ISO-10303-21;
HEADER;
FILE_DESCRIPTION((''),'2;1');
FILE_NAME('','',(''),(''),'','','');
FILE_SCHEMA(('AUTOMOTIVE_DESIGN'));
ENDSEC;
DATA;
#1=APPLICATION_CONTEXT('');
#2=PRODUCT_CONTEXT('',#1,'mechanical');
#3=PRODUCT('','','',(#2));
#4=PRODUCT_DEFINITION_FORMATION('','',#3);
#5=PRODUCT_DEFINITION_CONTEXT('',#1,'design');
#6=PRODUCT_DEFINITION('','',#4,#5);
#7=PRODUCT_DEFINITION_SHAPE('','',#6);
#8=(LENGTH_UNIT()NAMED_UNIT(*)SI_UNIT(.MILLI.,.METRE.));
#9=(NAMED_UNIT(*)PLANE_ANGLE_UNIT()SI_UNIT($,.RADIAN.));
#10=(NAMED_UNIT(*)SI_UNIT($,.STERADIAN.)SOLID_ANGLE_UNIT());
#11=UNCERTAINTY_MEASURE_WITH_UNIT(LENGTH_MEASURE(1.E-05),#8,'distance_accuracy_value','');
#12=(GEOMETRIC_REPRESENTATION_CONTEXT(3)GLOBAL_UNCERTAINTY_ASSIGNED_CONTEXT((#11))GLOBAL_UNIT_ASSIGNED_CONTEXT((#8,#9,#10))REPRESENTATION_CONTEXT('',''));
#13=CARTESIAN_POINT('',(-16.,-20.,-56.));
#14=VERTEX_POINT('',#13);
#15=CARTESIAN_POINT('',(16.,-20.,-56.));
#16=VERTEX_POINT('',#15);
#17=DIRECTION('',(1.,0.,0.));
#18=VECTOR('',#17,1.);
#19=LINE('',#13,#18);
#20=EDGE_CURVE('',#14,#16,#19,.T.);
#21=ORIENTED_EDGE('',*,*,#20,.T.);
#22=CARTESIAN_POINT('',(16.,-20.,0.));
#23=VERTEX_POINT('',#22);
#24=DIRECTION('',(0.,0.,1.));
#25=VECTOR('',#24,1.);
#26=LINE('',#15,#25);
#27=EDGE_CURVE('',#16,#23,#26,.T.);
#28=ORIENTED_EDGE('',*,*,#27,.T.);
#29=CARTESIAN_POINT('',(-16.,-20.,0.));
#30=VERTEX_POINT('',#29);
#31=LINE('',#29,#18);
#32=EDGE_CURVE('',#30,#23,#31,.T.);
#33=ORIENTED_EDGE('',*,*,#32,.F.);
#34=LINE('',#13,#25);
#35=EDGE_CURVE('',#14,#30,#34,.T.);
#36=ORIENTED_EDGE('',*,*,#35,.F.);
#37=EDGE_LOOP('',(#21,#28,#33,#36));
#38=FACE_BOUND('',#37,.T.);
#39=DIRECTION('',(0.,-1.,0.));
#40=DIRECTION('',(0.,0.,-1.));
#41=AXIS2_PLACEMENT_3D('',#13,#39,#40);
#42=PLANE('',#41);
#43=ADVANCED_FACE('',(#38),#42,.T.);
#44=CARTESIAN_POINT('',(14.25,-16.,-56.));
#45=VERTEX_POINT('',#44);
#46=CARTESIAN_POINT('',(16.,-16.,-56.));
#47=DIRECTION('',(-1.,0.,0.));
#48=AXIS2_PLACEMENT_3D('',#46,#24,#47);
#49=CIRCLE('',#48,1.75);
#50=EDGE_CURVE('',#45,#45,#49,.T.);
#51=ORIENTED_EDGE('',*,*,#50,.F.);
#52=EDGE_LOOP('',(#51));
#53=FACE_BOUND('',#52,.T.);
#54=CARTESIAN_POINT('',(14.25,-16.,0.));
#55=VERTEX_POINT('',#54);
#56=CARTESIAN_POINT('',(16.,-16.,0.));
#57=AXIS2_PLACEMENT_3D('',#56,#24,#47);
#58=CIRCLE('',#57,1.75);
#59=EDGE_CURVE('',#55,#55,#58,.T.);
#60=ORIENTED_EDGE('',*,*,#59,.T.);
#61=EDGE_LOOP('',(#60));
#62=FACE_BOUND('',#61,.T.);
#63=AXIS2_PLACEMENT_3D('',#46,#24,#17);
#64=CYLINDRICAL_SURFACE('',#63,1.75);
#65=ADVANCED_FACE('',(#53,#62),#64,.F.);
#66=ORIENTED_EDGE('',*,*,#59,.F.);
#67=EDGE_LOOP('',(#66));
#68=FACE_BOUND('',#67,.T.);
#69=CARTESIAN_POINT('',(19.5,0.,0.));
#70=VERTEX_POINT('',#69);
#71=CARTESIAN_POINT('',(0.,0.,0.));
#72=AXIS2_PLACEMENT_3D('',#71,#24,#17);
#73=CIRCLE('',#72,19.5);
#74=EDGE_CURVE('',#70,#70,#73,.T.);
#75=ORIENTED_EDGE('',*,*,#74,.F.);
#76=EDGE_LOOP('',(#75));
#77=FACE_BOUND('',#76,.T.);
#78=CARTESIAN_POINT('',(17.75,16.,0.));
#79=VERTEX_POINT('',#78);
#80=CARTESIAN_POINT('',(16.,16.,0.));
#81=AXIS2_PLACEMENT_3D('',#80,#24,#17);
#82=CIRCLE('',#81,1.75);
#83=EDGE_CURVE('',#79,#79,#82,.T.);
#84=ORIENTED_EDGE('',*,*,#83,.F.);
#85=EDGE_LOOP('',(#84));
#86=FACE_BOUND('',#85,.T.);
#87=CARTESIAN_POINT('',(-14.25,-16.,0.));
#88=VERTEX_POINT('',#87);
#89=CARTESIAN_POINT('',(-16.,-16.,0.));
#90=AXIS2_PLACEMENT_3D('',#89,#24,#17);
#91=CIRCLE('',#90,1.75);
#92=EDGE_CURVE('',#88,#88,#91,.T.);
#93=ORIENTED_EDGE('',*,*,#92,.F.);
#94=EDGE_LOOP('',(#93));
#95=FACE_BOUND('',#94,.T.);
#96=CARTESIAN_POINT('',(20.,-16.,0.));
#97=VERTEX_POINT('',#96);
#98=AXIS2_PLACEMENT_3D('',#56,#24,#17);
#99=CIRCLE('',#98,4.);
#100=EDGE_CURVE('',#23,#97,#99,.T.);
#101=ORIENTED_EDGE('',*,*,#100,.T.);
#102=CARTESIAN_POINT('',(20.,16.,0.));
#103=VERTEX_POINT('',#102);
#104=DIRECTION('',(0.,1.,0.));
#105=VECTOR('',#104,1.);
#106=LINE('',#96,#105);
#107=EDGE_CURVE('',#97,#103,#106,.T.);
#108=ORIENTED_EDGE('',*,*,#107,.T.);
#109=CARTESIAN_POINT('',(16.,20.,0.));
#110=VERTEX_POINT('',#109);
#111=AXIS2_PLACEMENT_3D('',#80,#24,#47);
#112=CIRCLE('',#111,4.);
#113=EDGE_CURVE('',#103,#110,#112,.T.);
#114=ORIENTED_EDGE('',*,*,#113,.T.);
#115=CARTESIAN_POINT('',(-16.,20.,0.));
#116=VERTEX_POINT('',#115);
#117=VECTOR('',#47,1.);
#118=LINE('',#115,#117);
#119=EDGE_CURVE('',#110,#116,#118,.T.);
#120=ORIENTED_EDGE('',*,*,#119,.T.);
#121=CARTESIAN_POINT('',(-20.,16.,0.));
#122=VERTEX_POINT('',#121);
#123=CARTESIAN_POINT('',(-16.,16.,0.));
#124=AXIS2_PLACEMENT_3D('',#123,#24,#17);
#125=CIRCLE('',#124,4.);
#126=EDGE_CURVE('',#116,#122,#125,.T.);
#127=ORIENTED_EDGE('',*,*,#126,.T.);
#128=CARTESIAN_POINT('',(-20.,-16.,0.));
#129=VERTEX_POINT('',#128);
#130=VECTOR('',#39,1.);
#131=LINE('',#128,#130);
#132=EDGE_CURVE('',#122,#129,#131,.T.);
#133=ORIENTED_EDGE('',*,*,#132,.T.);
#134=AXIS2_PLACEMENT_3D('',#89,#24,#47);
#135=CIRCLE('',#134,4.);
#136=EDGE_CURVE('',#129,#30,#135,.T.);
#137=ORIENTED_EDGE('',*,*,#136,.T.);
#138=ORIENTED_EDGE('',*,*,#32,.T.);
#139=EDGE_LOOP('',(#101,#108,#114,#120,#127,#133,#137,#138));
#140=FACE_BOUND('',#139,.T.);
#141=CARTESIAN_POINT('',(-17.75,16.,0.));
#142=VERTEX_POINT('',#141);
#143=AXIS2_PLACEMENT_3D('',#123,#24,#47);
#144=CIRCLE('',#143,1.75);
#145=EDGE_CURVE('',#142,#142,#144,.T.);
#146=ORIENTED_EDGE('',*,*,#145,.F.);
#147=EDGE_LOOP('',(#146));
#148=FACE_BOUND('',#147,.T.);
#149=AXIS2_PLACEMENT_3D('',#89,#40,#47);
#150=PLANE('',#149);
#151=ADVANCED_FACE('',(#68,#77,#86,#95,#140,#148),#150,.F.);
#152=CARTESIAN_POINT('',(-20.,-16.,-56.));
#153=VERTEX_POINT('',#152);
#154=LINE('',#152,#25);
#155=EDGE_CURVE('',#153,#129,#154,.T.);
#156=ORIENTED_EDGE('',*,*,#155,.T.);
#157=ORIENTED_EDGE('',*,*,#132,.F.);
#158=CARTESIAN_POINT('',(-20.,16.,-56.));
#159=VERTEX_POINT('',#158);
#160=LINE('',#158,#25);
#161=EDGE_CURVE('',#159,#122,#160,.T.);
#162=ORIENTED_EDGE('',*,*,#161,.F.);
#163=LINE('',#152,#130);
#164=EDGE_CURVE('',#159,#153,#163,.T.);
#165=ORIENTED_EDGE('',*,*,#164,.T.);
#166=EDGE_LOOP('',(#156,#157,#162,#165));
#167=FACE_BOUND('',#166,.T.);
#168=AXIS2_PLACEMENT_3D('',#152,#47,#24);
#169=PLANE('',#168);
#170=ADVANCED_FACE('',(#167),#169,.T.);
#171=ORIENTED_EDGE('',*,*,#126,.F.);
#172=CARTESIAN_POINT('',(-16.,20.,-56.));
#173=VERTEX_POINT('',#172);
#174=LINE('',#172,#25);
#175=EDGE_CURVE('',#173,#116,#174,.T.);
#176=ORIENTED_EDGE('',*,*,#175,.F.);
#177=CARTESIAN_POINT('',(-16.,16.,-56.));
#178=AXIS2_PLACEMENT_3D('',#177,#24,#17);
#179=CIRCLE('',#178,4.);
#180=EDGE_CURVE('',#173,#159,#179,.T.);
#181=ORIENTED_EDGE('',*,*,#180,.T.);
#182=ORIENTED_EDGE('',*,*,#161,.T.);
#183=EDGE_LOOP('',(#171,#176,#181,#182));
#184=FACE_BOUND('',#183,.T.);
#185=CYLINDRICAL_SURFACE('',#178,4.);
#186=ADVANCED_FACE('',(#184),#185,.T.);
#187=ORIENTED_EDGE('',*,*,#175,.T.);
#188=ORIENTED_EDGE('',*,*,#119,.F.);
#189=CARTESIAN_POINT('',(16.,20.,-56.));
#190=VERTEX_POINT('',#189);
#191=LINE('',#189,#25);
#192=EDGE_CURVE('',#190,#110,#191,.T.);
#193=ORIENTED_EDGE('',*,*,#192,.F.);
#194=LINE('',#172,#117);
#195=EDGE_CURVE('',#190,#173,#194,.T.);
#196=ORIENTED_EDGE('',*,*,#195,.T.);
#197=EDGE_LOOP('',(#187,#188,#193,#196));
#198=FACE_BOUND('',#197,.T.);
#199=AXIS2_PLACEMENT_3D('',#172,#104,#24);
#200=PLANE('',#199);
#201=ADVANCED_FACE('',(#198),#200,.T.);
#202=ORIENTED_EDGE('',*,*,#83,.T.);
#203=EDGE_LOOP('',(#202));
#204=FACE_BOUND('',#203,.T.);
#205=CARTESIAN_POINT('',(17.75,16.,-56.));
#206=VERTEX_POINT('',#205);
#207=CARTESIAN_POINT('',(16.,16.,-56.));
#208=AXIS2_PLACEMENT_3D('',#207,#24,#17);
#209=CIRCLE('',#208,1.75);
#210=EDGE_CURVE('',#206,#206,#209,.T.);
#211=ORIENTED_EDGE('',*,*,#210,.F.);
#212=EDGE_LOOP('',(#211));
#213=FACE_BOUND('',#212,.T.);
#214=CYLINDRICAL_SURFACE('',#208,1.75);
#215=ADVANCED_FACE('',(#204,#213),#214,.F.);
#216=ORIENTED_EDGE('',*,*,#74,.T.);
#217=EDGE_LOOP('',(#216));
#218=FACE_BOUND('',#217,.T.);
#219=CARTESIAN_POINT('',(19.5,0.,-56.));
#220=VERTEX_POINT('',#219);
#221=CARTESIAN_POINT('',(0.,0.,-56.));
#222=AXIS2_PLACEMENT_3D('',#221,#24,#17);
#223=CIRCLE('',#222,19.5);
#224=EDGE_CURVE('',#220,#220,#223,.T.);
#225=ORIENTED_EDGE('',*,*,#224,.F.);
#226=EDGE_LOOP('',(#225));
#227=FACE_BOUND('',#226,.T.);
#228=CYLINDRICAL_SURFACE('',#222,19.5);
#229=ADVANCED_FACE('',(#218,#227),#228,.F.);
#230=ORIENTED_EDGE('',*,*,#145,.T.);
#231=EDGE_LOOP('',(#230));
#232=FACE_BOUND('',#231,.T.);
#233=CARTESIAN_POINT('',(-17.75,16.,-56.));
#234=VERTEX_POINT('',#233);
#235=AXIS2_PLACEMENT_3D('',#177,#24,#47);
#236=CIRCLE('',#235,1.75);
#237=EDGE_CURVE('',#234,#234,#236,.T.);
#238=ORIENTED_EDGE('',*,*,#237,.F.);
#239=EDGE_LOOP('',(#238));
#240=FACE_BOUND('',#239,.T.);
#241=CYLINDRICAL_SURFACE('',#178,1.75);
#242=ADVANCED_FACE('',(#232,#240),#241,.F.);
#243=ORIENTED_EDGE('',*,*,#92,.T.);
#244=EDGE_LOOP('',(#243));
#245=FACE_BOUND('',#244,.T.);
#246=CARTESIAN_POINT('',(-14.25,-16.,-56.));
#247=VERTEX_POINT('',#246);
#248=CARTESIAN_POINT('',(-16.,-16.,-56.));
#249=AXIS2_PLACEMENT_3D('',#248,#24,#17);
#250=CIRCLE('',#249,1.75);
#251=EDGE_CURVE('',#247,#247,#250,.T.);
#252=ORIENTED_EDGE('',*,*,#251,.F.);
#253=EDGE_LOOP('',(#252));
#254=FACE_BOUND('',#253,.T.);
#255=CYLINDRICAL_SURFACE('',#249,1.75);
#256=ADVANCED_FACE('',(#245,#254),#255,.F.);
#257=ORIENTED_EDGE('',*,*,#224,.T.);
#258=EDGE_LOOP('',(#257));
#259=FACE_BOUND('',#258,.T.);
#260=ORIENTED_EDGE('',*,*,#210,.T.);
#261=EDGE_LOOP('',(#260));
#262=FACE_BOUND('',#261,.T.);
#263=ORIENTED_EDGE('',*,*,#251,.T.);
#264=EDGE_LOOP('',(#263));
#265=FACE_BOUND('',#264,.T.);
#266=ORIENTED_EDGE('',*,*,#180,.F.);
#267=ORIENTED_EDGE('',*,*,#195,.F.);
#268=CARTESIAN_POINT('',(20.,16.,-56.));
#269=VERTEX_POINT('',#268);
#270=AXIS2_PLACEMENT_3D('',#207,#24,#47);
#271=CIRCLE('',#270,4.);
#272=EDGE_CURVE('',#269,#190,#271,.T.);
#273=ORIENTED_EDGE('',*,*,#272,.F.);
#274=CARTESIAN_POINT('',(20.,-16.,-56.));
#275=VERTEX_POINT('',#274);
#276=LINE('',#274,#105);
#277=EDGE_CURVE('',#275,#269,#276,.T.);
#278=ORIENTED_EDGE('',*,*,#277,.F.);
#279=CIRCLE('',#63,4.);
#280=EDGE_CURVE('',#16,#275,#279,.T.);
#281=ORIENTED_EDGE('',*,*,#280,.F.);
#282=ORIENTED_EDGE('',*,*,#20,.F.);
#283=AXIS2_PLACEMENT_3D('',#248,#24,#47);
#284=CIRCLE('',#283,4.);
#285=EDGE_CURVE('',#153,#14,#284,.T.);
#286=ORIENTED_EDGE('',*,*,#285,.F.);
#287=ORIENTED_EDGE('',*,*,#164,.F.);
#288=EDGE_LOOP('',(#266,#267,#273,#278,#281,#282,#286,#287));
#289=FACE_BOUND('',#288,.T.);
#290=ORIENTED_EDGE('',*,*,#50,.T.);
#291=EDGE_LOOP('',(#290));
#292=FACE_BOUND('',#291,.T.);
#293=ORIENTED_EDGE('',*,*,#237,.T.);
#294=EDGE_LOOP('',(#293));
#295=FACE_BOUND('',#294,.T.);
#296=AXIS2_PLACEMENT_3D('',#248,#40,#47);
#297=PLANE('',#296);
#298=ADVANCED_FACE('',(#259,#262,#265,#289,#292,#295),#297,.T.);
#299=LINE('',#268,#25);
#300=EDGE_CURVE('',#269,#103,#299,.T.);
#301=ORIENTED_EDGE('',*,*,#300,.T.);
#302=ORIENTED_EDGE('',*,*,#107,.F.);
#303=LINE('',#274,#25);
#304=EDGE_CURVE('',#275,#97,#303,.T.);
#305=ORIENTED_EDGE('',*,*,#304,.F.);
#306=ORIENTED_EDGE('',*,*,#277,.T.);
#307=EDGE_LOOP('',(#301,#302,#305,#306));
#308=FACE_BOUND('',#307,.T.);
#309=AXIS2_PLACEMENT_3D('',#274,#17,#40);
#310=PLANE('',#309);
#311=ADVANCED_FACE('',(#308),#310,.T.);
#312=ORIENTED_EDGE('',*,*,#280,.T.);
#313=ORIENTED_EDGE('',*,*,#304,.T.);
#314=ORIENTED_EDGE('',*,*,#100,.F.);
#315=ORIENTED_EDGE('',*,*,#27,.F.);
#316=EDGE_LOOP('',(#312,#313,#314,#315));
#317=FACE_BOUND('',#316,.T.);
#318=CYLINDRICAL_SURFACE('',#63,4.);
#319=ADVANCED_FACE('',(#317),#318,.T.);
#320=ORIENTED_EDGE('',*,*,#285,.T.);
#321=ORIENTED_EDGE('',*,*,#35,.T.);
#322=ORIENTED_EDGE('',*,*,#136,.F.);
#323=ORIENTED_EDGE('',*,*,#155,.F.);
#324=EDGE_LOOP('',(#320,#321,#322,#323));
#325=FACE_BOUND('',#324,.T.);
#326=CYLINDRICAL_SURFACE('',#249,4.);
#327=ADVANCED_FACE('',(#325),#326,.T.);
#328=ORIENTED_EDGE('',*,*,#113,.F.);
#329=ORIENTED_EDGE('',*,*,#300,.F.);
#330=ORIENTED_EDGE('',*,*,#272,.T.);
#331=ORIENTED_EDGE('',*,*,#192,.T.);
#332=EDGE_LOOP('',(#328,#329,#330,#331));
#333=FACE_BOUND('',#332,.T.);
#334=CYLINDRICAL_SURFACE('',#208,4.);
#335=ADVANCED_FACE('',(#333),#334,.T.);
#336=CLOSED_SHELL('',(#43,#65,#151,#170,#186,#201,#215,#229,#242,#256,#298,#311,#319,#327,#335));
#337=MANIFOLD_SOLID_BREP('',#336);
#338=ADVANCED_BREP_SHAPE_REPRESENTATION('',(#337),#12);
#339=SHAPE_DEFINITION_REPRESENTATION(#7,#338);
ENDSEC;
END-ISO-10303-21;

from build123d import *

# Parameters (mm, degrees)
SKETCH1_R           = 1.75
BOSS_EXTRUDE1_DEPTH = 56
SKETCH2_R           = 19.5
CUT_EXTRUDE1_DEPTH  = 56


with BuildPart() as part:
    # Sketch1 → Boss-Extrude1 (new body)
    with BuildSketch(Plane.XY):
        with BuildLine():
            Line((-16, -20), (16, -20))
            ThreePointArc((16, -20), (18.828427125, -18.828427125), (20, -16))
            Line((20, -16), (20, 16))
            ThreePointArc((20, 16), (18.828427125, 18.828427125), (16, 20))
            Line((16, 20), (-16, 20))
            ThreePointArc((-16, 20), (-18.828427125, 18.828427125), (-20, 16))
            Line((-20, 16), (-20, -16))
            ThreePointArc((-20, -16), (-18.828427125, -18.828427125), (-16, -20))
        make_face()
        with Locations((16, 16)):
            Circle(SKETCH1_R, mode=Mode.SUBTRACT)
        with Locations(Location((-16, 16, 0), (0, 0, 180))):
            Circle(SKETCH1_R, mode=Mode.SUBTRACT)
        with Locations(Location((16, -16, 0), (0, 0, 180))):
            Circle(SKETCH1_R, mode=Mode.SUBTRACT)
        with Locations((-16, -16)):
            Circle(SKETCH1_R, mode=Mode.SUBTRACT)
    extrude(amount=-BOSS_EXTRUDE1_DEPTH)

    # Sketch2 → Cut-Extrude1 (cut)
    with BuildSketch(Plane.XY):
        Circle(SKETCH2_R)
    extrude(amount=-CUT_EXTRUDE1_DEPTH, mode=Mode.SUBTRACT)


solid = part.part
